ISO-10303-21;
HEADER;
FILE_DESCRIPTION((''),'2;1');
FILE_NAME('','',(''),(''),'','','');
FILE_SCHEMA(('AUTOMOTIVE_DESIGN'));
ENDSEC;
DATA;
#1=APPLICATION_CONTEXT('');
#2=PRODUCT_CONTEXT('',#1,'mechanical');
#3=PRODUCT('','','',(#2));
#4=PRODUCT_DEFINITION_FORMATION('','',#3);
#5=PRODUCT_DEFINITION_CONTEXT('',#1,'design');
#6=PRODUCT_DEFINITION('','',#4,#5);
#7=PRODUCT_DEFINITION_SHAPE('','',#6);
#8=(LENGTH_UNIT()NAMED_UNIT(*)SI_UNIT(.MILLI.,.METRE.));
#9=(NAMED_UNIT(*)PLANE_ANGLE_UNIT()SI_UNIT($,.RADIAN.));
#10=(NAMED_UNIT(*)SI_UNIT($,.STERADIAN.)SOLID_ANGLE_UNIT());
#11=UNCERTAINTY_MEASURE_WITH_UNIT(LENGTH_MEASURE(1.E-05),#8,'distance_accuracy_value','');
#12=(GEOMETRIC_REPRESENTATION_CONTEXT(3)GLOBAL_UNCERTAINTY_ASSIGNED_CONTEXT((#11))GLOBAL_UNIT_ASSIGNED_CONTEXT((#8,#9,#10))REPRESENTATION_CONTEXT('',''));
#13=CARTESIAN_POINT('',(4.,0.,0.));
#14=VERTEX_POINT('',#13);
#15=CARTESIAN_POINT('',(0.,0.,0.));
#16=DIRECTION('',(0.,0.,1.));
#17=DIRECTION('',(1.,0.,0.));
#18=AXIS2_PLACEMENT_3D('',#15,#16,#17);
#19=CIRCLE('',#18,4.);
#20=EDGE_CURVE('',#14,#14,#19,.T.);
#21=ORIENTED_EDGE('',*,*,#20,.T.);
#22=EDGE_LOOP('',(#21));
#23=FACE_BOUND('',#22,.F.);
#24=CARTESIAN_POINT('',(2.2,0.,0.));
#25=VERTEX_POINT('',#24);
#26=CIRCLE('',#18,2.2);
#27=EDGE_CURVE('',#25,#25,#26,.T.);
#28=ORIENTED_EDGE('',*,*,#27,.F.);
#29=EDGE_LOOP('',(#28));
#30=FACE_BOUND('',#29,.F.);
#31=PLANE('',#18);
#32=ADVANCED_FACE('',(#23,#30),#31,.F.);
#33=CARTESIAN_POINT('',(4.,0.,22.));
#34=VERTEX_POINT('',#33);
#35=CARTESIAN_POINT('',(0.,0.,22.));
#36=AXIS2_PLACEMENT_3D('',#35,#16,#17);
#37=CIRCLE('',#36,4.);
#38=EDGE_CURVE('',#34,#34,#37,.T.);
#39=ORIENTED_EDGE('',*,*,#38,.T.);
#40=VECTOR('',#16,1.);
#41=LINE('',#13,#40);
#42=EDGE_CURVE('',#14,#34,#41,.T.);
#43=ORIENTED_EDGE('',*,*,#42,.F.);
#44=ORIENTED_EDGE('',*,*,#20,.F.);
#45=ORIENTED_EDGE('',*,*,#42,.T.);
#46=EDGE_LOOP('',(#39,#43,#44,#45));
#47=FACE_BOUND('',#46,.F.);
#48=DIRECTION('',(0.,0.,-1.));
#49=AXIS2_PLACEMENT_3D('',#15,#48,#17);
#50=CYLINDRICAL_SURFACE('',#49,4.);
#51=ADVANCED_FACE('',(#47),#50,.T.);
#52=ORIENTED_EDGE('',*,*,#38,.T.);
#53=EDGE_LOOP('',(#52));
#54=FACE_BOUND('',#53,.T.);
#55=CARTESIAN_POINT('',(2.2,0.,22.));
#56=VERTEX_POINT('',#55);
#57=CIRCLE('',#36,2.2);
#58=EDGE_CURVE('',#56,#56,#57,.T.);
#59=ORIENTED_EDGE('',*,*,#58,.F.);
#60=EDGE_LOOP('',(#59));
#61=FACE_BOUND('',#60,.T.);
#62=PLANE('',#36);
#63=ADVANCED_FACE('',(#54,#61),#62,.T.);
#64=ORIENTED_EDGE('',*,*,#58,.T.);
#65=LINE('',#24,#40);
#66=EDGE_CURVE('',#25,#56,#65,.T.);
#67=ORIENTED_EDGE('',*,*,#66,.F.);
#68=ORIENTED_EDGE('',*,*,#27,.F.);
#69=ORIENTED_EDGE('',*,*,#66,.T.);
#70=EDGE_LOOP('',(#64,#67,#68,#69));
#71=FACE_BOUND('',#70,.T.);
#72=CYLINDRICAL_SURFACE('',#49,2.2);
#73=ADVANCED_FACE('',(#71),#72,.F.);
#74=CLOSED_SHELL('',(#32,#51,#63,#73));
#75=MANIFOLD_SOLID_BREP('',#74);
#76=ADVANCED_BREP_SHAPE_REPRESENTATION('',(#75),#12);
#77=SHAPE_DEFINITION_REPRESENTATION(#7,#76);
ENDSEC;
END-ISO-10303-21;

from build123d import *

# Parameters (mm, degrees)
SKETCH_R   = 4
SKETCH_R_2 = 2.2
PAD_DEPTH  = 22


with BuildPart() as part:
    # Sketch → Pad (new body)
    with BuildSketch(Plane.XY):
        Circle(SKETCH_R)
        Circle(SKETCH_R_2, mode=Mode.SUBTRACT)
    extrude(amount=PAD_DEPTH)


solid = part.part
